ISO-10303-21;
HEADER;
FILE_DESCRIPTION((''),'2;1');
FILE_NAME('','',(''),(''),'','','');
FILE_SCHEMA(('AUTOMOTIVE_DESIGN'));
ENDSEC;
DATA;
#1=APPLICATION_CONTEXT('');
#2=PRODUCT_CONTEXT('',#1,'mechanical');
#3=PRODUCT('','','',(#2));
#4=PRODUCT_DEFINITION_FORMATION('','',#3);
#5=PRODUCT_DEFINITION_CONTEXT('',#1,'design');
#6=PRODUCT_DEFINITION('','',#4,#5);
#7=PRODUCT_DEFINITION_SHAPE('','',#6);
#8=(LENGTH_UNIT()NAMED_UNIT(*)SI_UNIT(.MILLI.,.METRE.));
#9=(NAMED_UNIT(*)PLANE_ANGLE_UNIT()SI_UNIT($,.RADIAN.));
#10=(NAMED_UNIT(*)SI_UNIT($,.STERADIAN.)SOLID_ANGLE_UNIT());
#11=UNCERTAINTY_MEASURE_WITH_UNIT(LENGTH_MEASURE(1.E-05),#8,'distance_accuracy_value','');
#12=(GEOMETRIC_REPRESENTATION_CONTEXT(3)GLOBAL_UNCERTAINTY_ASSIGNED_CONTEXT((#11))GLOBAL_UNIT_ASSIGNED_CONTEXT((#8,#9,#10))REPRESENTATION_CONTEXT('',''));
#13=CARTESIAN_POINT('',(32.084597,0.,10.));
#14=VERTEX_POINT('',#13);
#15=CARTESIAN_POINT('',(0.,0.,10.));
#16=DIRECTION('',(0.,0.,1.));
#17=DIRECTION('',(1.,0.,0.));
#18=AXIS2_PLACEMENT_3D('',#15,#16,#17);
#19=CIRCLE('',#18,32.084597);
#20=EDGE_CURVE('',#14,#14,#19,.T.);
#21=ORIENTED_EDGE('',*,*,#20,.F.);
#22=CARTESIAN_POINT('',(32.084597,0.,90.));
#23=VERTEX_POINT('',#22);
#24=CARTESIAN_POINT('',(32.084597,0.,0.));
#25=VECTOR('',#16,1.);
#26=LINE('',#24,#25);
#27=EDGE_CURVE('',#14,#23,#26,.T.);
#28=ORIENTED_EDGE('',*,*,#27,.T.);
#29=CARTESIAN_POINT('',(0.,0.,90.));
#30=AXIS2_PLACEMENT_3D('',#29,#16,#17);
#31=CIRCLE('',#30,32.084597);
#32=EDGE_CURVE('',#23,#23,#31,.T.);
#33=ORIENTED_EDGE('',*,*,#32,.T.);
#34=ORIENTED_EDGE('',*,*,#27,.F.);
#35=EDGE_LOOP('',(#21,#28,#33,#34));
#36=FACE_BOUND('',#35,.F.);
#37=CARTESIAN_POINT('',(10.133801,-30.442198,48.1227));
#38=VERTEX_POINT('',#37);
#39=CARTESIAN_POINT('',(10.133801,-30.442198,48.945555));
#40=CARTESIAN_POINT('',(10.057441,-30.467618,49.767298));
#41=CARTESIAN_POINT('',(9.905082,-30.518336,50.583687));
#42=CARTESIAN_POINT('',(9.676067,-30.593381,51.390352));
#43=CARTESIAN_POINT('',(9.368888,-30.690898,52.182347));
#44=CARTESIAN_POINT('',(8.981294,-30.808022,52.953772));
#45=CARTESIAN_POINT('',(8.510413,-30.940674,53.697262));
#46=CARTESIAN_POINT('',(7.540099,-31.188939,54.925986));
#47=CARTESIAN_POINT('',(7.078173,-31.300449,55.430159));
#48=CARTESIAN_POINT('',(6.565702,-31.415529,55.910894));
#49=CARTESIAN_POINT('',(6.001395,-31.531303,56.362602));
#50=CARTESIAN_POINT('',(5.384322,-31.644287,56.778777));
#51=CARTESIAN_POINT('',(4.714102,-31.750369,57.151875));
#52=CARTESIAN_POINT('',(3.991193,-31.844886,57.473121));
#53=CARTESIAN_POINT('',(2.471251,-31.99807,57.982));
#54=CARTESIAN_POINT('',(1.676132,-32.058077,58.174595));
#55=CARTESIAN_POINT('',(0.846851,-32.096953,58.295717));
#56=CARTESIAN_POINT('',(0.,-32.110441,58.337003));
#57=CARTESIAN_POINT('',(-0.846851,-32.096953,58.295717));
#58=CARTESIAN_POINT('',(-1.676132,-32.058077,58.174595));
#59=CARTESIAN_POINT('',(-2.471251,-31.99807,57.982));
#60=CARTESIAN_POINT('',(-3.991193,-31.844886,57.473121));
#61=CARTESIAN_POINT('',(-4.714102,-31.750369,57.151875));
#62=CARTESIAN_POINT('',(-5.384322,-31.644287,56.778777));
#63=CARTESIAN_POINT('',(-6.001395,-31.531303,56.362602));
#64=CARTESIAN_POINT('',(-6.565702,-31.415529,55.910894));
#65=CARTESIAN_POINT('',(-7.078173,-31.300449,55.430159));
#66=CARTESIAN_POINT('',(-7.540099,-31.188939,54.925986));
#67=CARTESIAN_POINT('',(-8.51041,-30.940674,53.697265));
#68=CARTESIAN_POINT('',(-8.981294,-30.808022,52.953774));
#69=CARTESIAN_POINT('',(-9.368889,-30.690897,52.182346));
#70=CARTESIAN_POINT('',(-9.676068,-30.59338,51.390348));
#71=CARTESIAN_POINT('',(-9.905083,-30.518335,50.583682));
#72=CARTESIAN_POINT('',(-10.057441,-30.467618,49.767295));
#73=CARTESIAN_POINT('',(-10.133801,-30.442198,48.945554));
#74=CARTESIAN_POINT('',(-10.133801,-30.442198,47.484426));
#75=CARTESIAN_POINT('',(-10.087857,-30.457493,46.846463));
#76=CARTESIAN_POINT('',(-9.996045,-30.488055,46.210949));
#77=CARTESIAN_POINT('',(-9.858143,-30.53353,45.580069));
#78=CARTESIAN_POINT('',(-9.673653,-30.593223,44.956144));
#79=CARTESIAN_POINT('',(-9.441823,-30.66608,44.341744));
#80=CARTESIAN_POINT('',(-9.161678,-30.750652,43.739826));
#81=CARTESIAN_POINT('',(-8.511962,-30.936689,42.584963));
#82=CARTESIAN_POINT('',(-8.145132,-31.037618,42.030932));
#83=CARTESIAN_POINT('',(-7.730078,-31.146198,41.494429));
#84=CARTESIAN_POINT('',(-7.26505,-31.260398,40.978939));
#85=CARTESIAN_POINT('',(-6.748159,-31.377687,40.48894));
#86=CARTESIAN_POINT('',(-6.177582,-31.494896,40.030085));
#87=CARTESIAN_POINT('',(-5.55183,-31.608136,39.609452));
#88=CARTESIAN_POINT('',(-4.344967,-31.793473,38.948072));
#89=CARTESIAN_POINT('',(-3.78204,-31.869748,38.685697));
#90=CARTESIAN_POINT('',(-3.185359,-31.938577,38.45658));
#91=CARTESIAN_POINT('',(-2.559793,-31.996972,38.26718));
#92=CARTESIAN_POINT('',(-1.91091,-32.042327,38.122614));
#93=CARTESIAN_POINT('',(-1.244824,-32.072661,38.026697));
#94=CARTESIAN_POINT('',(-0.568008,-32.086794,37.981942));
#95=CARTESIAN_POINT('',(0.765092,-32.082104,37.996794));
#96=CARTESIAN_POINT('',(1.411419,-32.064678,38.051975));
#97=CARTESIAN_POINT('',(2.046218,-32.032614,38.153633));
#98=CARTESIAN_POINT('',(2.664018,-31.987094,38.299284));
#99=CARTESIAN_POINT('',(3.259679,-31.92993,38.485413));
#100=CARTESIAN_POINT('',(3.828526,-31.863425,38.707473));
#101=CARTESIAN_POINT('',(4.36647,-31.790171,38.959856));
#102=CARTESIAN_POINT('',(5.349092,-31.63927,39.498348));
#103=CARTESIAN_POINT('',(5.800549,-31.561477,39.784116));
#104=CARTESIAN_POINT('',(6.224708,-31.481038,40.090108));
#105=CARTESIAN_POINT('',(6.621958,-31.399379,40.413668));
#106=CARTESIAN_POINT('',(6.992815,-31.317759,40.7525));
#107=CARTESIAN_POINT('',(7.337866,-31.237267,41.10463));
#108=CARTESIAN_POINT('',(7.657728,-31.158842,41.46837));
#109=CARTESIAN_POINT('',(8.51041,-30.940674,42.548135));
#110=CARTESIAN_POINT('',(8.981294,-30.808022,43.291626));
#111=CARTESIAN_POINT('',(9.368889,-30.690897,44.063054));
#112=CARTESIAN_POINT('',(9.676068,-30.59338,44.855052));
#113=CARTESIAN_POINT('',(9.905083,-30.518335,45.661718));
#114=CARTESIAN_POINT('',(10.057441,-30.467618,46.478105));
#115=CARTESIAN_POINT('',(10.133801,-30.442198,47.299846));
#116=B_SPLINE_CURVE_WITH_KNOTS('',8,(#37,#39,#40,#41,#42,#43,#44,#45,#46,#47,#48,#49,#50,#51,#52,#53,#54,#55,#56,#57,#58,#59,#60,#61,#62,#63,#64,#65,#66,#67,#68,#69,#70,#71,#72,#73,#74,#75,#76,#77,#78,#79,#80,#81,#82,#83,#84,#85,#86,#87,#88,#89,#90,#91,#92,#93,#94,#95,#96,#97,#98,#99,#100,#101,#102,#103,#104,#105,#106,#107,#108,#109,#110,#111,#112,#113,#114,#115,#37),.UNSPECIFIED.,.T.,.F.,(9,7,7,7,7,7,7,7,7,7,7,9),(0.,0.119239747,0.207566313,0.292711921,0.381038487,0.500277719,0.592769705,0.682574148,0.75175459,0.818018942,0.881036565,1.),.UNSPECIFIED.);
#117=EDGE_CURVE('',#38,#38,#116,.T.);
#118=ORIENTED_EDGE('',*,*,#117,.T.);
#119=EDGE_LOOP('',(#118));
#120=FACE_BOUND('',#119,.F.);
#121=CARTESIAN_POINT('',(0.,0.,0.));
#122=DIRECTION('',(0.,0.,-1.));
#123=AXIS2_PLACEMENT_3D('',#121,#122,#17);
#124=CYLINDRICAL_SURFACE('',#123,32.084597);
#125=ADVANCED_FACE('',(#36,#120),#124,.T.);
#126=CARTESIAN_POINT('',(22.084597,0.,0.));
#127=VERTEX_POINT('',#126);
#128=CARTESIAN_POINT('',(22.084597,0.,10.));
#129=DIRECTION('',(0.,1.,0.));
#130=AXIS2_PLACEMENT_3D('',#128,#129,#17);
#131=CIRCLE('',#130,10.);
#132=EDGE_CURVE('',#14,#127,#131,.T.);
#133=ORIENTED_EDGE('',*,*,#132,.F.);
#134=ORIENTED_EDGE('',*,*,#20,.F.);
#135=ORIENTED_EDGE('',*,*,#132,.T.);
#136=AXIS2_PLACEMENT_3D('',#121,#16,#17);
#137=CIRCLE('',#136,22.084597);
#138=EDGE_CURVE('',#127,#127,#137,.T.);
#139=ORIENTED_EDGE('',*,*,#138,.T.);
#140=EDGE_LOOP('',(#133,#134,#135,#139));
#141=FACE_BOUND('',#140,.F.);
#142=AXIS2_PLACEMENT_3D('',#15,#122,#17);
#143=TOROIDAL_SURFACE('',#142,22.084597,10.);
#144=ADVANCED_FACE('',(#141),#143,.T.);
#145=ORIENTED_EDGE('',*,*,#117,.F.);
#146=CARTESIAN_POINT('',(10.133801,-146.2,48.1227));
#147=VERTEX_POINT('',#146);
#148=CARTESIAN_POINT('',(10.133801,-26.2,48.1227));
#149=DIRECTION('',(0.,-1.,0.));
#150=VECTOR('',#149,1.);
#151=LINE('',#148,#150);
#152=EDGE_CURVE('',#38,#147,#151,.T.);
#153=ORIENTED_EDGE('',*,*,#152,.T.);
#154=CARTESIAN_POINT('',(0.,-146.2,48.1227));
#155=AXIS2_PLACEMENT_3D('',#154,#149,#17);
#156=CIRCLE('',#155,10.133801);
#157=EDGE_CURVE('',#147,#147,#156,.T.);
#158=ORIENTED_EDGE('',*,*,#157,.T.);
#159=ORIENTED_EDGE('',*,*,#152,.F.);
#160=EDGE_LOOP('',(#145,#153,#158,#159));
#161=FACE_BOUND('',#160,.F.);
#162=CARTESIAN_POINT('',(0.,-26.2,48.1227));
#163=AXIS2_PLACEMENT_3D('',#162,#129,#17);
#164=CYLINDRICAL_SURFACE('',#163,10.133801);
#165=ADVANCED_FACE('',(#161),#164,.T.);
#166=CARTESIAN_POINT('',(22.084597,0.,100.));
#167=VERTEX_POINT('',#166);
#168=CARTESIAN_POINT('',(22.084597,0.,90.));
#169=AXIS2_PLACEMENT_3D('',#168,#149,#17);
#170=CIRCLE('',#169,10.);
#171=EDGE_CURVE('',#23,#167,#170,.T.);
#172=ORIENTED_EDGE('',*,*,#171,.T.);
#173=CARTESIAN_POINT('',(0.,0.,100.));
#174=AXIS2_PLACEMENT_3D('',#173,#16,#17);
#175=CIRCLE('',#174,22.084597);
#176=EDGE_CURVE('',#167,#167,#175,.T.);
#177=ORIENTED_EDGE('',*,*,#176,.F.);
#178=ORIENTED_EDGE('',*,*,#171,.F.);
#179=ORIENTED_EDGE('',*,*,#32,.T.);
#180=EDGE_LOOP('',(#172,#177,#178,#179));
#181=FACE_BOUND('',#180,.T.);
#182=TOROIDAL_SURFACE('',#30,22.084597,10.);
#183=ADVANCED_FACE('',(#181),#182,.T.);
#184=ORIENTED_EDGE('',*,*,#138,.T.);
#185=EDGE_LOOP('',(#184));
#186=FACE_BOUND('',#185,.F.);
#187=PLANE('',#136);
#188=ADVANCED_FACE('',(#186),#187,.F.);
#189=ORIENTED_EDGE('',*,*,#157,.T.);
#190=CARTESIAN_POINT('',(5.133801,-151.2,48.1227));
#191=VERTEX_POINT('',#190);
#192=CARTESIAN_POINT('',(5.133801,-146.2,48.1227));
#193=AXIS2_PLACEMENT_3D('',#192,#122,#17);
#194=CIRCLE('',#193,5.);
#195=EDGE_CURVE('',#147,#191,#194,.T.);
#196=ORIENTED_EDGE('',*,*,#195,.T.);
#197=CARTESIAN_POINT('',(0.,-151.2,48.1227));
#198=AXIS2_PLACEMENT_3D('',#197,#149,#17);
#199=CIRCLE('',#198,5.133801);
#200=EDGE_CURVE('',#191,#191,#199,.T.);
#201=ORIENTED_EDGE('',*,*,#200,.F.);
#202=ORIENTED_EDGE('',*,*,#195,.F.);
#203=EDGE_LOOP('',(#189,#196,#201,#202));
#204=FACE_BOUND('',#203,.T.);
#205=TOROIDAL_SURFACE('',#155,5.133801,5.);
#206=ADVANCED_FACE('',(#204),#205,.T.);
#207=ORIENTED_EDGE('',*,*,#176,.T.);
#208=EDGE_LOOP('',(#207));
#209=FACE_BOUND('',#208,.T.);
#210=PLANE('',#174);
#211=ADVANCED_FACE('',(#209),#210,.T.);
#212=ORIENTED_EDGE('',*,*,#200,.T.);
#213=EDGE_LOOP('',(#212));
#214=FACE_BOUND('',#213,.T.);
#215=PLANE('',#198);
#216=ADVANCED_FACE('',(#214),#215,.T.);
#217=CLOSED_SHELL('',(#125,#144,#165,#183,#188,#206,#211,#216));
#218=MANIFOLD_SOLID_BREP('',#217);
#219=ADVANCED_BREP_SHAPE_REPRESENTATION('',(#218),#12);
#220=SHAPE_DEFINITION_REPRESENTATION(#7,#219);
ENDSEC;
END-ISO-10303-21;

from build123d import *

# Parameters (mm, degrees)
F0_R     = 32.084597
F1_DEPTH = 100
F2_R     = 10
F4_R     = 10.133801
F5_DEPTH = 125
F6_R     = 5


with BuildPart() as f1:
    # F0 (on Top) → F1 (new body)
    with BuildSketch(Plane.XY):
        Circle(F0_R)
    extrude(amount=F1_DEPTH)

    # F2
    f2_edges = [f1.edges().sort_by_distance(p)[0] for p in [
        (-32.084597, 0, 100),
        (-32.084597, 0, 0),
    ]]
    fillet(f2_edges, radius=F2_R)

    # F4 (on offset) → F5 (join)
    with BuildSketch(Plane.XZ.offset(26.2)):
        with Locations((0, 48.1227)):
            Circle(F4_R)
    extrude(amount=F5_DEPTH)

    # F6
    f6_edges = [f1.edges().sort_by_distance(p)[0] for p in [
        (-10.133801, -151.2, 48.1227),
    ]]
    fillet(f6_edges, radius=F6_R)


solid = f1.part
